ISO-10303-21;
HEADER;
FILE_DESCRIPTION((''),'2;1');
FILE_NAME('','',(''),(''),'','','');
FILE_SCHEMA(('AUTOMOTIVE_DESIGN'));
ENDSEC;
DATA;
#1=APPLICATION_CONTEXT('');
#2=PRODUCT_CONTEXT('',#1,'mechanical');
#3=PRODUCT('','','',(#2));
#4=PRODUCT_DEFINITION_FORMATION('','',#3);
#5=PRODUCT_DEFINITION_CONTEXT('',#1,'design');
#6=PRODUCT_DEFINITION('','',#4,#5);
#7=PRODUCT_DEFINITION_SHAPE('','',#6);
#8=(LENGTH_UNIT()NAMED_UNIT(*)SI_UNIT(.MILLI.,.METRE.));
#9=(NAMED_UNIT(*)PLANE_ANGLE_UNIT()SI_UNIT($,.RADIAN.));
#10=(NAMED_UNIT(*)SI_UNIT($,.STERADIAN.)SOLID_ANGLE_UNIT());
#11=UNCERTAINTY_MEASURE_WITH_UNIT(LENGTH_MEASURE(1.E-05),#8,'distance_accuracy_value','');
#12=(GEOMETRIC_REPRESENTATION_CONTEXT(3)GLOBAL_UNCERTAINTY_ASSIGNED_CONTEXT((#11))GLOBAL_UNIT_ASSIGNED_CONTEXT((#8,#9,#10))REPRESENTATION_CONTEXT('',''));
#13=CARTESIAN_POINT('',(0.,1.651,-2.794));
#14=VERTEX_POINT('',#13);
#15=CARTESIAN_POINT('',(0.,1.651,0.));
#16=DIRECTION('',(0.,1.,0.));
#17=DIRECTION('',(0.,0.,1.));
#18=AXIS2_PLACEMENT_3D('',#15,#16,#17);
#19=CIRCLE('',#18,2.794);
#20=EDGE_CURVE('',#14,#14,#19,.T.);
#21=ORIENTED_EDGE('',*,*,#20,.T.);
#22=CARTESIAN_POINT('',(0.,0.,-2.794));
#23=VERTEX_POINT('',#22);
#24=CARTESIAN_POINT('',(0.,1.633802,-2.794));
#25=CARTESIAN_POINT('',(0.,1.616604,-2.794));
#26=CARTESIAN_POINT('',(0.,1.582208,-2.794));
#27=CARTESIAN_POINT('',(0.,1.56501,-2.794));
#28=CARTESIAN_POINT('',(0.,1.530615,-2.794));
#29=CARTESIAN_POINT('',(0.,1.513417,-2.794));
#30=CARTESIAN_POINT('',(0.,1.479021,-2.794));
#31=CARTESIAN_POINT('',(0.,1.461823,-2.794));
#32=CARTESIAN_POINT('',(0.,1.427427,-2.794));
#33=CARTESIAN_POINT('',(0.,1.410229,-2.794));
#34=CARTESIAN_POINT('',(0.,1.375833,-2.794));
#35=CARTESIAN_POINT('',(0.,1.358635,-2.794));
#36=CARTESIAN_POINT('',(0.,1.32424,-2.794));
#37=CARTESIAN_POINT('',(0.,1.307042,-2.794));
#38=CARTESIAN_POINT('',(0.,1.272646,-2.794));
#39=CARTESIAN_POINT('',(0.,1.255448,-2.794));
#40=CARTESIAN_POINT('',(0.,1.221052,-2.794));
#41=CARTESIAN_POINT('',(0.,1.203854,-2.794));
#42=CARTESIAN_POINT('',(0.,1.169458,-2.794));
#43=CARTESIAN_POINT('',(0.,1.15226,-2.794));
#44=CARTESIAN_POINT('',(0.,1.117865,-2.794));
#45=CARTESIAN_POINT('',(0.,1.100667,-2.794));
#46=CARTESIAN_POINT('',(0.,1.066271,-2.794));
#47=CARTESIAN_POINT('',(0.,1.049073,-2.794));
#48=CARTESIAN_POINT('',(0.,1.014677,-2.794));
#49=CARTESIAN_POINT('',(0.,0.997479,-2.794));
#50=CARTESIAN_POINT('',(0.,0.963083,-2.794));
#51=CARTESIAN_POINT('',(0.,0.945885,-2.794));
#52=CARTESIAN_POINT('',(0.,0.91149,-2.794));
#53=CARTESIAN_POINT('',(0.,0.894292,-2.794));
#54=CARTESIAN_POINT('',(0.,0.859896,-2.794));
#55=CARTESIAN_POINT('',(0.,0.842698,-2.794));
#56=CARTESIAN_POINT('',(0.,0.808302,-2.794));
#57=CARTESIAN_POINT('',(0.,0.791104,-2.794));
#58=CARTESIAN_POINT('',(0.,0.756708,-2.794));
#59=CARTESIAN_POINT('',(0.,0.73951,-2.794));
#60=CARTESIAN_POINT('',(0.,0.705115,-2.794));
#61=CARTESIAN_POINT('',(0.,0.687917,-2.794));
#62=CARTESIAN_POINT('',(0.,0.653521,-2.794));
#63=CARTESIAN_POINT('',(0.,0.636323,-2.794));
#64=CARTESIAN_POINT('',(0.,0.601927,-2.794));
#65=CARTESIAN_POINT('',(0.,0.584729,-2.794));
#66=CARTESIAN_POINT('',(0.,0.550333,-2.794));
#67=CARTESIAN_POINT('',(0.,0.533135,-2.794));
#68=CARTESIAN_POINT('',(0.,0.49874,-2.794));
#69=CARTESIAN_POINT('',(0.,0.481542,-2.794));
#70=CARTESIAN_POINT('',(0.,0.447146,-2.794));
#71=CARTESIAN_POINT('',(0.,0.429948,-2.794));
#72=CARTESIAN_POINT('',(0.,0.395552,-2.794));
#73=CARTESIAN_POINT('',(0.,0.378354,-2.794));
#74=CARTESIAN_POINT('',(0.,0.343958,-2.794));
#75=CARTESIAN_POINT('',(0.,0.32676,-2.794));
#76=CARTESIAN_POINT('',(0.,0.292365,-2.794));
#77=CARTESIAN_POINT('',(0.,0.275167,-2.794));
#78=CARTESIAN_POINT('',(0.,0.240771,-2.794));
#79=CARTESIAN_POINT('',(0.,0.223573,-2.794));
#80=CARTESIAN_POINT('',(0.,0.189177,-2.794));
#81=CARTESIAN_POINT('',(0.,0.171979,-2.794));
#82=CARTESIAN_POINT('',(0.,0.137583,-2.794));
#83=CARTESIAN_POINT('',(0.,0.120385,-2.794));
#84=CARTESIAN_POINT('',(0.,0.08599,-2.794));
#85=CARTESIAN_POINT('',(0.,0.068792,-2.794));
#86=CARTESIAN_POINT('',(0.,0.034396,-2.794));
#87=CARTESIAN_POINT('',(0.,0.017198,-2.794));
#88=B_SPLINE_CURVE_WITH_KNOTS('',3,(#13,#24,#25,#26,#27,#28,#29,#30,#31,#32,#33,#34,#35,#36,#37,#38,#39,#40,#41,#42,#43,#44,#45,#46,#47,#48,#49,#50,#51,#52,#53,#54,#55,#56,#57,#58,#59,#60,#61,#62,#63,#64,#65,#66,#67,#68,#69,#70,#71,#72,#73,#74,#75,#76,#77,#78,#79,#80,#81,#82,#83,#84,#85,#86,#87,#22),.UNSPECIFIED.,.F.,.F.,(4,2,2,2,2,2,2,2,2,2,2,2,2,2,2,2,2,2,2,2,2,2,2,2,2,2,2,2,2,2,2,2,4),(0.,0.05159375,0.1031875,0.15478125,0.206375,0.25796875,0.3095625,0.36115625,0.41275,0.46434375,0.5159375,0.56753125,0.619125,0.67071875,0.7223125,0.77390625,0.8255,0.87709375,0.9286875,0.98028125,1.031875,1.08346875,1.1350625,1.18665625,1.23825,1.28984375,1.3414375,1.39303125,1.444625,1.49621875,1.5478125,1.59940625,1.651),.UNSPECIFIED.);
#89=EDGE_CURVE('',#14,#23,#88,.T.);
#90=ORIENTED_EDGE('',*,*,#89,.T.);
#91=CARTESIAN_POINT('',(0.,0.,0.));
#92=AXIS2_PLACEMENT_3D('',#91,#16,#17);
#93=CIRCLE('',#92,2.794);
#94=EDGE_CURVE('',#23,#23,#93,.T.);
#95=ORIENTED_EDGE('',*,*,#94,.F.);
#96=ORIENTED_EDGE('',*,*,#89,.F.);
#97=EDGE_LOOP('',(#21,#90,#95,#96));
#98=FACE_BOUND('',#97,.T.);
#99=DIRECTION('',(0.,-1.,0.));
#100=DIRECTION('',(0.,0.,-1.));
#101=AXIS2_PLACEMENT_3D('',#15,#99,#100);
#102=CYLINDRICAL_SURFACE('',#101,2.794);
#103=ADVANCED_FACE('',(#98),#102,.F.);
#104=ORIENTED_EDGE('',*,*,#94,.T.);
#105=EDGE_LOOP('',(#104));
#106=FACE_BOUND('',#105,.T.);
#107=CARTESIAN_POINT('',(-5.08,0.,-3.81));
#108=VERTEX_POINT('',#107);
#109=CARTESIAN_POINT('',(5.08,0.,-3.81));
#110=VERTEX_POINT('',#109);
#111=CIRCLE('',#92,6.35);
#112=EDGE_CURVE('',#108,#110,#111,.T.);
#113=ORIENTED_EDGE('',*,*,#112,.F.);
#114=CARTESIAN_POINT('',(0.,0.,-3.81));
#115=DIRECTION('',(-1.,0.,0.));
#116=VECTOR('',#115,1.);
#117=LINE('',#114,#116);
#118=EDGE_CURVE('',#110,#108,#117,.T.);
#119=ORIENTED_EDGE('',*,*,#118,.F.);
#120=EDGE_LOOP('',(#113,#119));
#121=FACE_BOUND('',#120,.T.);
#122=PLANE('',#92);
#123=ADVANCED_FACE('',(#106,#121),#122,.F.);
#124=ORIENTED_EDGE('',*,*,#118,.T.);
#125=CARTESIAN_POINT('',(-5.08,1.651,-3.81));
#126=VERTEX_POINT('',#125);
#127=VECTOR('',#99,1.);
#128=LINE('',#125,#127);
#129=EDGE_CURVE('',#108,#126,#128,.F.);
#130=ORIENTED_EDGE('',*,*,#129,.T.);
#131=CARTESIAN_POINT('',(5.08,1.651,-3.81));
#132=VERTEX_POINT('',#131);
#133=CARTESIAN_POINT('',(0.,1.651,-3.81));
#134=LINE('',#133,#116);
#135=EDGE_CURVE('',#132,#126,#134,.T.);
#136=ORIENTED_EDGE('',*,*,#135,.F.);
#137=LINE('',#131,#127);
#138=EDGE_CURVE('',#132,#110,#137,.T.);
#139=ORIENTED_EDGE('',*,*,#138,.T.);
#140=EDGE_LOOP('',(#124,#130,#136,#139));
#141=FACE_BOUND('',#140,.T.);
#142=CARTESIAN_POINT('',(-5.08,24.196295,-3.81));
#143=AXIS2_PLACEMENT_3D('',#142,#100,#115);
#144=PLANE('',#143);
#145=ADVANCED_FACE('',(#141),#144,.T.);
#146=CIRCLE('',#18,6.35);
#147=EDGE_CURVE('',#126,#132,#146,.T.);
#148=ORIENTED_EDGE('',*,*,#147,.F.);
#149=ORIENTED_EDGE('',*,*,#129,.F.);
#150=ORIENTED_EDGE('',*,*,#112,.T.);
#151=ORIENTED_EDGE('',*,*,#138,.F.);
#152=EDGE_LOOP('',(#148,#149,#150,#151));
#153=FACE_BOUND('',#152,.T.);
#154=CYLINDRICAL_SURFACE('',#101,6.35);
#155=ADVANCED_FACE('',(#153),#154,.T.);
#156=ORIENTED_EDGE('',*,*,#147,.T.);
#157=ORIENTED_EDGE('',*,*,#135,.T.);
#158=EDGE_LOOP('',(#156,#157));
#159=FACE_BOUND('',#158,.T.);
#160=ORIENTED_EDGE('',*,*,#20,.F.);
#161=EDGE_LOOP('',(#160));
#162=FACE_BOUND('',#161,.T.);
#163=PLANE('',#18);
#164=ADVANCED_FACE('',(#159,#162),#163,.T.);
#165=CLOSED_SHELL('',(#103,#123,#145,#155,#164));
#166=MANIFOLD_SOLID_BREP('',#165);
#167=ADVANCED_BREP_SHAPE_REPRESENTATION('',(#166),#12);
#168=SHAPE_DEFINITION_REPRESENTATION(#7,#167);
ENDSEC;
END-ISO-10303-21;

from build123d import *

# Parameters (mm, degrees)
SKETCH1_R               = 6.35
SKETCH1_R_2             = 2.794
BOSS_EXTRUDE1_DEPTH     = 1.651
CUT_EXTRUDE1_DEPTH      = 10.13076125
CUT_EXTRUDE1_DEPTH_BACK = 10.13076125


with BuildPart() as part:
    # Sketch1 → Boss-Extrude1 (new body)
    with BuildSketch(Plane(origin=(0, 0, 0), x_dir=(1, 0, 0), z_dir=(0, 1, 0))):
        with Locations(Location((0, 0, 0), (0, 0, 90))):
            Circle(SKETCH1_R)
        with Locations(Location((0, 0, 0), (0, 0, 90))):
            Circle(SKETCH1_R_2, mode=Mode.SUBTRACT)
    extrude(amount=BOSS_EXTRUDE1_DEPTH)

    # Sketch2 → Cut-Extrude1 (cut, two sides: drawn at the far end of the back side and taken through both)
    with BuildSketch(Plane(origin=(0, 1.651, 0), x_dir=(1, 0, 0), z_dir=(0, 1, 0)).offset(-CUT_EXTRUDE1_DEPTH_BACK)):
        Polygon((-45.66565023, 3.81), (-5.08, 3.81), (5.08, 3.81), (45.66565023, 3.81), (45.66565023, 84.98130046), (-45.66565023, 84.98130046), align=None)
    extrude(amount=CUT_EXTRUDE1_DEPTH + CUT_EXTRUDE1_DEPTH_BACK, mode=Mode.SUBTRACT)


solid = part.part
